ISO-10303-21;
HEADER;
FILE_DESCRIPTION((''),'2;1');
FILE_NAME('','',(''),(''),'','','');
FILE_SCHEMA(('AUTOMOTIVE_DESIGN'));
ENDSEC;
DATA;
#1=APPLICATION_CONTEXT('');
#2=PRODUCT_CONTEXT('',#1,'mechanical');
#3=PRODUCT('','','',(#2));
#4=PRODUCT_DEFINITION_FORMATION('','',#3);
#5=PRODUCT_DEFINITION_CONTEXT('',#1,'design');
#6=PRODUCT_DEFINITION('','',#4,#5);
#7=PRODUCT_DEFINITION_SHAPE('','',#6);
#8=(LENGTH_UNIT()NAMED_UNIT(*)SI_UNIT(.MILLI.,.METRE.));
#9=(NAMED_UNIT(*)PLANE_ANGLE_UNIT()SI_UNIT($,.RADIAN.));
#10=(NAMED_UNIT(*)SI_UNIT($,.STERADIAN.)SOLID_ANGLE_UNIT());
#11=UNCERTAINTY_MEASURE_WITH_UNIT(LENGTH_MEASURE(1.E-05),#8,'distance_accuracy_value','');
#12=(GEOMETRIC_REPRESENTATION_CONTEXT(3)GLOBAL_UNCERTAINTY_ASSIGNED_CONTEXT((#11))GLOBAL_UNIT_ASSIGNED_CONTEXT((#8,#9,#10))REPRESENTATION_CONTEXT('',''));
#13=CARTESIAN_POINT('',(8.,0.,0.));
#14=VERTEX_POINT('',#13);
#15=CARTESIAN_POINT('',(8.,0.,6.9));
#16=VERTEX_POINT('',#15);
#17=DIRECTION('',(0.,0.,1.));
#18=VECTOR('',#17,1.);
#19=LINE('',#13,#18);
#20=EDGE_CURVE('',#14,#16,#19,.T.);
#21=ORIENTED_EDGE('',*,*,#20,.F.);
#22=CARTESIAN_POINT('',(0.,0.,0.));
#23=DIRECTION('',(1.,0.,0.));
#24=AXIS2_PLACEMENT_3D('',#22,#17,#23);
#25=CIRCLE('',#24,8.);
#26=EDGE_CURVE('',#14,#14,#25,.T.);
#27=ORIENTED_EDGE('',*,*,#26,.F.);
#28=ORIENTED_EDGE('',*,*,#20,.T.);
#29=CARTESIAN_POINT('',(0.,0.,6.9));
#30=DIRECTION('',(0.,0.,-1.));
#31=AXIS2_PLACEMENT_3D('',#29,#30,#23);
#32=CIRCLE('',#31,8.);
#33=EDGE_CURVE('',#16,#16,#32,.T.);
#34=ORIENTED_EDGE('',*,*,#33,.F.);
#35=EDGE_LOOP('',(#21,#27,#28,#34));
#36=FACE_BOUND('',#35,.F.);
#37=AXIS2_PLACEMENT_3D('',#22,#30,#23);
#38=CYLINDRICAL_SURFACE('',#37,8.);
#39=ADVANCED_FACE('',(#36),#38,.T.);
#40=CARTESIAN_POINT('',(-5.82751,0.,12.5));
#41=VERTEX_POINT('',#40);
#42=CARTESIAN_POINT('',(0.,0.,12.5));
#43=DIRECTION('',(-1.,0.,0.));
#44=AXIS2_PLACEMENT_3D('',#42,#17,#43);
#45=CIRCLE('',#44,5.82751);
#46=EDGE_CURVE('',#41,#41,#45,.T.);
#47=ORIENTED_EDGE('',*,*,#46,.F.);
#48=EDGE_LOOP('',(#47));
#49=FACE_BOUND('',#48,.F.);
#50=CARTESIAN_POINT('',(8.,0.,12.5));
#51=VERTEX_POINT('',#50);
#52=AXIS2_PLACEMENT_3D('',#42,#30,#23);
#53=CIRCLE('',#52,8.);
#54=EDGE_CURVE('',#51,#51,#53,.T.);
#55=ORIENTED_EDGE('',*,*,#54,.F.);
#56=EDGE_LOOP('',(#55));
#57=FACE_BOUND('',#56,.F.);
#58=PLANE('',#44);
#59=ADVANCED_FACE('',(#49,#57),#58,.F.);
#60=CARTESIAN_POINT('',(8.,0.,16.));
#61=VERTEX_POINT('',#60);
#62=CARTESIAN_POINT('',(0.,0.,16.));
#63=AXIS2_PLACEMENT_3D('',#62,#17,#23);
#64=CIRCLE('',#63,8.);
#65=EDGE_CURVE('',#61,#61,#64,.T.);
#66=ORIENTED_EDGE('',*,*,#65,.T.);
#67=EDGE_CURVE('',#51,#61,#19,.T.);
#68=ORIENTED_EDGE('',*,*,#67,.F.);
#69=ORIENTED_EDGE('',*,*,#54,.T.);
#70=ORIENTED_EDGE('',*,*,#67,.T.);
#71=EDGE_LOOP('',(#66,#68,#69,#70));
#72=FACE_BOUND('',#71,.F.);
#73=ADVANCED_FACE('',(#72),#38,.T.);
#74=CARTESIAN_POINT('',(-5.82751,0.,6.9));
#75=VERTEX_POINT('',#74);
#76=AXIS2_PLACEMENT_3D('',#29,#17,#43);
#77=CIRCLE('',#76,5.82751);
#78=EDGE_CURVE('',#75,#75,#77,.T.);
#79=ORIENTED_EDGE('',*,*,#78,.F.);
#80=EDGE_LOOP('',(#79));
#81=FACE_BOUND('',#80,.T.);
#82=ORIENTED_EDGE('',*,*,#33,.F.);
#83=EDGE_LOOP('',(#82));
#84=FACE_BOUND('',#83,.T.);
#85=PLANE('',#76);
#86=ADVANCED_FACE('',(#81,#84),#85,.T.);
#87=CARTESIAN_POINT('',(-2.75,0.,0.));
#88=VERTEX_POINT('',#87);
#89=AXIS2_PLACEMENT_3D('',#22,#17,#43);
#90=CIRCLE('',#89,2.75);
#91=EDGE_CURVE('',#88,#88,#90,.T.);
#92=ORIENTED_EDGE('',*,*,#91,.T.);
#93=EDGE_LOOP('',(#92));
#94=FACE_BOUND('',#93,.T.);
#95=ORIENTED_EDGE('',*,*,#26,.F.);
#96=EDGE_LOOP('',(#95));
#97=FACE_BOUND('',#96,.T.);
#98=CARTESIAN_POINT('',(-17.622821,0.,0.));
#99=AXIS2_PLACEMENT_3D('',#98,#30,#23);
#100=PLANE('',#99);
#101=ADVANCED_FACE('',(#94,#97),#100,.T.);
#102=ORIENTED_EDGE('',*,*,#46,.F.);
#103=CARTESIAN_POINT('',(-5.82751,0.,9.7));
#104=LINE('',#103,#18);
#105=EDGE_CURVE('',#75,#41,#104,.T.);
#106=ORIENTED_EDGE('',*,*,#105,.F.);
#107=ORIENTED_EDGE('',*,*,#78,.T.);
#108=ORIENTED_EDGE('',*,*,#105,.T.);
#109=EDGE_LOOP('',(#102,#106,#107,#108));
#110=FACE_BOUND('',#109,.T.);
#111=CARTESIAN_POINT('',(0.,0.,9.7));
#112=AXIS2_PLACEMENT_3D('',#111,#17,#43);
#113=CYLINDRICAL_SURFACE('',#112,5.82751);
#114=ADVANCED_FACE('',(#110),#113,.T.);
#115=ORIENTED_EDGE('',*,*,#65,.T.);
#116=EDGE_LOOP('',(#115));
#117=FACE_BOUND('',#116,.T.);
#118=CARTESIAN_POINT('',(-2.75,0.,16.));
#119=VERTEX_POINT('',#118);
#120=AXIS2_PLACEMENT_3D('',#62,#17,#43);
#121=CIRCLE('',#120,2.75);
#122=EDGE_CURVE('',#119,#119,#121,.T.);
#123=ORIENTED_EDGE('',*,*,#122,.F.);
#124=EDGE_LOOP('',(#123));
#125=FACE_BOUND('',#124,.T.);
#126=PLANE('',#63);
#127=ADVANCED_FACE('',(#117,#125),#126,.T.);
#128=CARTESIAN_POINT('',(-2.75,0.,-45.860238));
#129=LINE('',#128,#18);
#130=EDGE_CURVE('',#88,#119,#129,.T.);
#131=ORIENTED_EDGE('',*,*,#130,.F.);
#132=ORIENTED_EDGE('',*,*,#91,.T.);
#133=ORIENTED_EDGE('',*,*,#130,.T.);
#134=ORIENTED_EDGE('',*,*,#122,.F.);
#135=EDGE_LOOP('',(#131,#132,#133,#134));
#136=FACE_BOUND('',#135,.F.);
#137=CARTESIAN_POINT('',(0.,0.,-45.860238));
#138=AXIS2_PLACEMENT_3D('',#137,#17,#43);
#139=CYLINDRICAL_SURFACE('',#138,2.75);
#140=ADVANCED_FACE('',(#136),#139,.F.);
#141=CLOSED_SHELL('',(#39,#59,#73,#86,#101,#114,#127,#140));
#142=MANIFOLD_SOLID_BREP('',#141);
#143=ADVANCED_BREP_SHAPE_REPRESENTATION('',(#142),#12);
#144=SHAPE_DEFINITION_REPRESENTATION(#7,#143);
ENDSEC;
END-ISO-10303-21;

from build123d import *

# Parameters (mm, degrees)
F0_W           = 30
F0_H           = 24
F1_DEPTH       = 3
F2_D           = 3.3
F3_R           = 8
F4_DEPTH       = 16
F6_W           = 2.2
F6_H           = 5.6
F10_D          = 5.5
F11_R          = 5
F12_W          = 35.0341517478
F12_H          = 6.4177829772
F13_DEPTH      = 25
F13_DEPTH_BACK = 25


with BuildPart() as f1:
    # F0 (on Top) → F1 (new body)
    with BuildSketch(Plane.XY):
        Rectangle(F0_W, F0_H)
    extrude(amount=-F1_DEPTH)

    # F2 (through all)
    with Locations(Plane.XY):
        with Locations((-9, 6.7), (9, 6.7)):
            Hole(F2_D / 2)

    # F3 (on face) → F4 (join)
    with BuildSketch(Plane.XY):
        Circle(F3_R)
    extrude(amount=F4_DEPTH)

    # F6 (on Front) → F8 (revolve, cut)
    with BuildSketch(Plane.XZ):
        with Locations((-6.9275095962, 9.7)):
            Rectangle(F6_W, F6_H)
    revolve(axis=Axis((0, 0, 17.9499220103), (0, 0, 1)), mode=Mode.SUBTRACT)

    # F10 (through all)
    with Locations(Plane(origin=(0, 0, -3), x_dir=(1, 0, 0), z_dir=(0, 0, -1))):
        with Locations((0, 0)):
            Hole(F10_D / 2)

    # F11
    f11_edges = [f1.edges().sort_by_distance(p)[0] for p in [
        (15, -12, -1.5),
        (15, 12, -1.5),
        (-15, 12, -1.5),
        (-15, -12, -1.5),
    ]]
    fillet(f11_edges, radius=F11_R)

    # F12 (on Front) → F13 (cut, two sides)
    with BuildSketch(Plane.XZ) as f13_sk:
        with Locations((-0.1057451591, -3.2088914886)):
            Rectangle(F12_W, F12_H)
    extrude(amount=-F13_DEPTH, mode=Mode.SUBTRACT)
    extrude(f13_sk.sketch, amount=F13_DEPTH_BACK, mode=Mode.SUBTRACT)


solid = f1.part
